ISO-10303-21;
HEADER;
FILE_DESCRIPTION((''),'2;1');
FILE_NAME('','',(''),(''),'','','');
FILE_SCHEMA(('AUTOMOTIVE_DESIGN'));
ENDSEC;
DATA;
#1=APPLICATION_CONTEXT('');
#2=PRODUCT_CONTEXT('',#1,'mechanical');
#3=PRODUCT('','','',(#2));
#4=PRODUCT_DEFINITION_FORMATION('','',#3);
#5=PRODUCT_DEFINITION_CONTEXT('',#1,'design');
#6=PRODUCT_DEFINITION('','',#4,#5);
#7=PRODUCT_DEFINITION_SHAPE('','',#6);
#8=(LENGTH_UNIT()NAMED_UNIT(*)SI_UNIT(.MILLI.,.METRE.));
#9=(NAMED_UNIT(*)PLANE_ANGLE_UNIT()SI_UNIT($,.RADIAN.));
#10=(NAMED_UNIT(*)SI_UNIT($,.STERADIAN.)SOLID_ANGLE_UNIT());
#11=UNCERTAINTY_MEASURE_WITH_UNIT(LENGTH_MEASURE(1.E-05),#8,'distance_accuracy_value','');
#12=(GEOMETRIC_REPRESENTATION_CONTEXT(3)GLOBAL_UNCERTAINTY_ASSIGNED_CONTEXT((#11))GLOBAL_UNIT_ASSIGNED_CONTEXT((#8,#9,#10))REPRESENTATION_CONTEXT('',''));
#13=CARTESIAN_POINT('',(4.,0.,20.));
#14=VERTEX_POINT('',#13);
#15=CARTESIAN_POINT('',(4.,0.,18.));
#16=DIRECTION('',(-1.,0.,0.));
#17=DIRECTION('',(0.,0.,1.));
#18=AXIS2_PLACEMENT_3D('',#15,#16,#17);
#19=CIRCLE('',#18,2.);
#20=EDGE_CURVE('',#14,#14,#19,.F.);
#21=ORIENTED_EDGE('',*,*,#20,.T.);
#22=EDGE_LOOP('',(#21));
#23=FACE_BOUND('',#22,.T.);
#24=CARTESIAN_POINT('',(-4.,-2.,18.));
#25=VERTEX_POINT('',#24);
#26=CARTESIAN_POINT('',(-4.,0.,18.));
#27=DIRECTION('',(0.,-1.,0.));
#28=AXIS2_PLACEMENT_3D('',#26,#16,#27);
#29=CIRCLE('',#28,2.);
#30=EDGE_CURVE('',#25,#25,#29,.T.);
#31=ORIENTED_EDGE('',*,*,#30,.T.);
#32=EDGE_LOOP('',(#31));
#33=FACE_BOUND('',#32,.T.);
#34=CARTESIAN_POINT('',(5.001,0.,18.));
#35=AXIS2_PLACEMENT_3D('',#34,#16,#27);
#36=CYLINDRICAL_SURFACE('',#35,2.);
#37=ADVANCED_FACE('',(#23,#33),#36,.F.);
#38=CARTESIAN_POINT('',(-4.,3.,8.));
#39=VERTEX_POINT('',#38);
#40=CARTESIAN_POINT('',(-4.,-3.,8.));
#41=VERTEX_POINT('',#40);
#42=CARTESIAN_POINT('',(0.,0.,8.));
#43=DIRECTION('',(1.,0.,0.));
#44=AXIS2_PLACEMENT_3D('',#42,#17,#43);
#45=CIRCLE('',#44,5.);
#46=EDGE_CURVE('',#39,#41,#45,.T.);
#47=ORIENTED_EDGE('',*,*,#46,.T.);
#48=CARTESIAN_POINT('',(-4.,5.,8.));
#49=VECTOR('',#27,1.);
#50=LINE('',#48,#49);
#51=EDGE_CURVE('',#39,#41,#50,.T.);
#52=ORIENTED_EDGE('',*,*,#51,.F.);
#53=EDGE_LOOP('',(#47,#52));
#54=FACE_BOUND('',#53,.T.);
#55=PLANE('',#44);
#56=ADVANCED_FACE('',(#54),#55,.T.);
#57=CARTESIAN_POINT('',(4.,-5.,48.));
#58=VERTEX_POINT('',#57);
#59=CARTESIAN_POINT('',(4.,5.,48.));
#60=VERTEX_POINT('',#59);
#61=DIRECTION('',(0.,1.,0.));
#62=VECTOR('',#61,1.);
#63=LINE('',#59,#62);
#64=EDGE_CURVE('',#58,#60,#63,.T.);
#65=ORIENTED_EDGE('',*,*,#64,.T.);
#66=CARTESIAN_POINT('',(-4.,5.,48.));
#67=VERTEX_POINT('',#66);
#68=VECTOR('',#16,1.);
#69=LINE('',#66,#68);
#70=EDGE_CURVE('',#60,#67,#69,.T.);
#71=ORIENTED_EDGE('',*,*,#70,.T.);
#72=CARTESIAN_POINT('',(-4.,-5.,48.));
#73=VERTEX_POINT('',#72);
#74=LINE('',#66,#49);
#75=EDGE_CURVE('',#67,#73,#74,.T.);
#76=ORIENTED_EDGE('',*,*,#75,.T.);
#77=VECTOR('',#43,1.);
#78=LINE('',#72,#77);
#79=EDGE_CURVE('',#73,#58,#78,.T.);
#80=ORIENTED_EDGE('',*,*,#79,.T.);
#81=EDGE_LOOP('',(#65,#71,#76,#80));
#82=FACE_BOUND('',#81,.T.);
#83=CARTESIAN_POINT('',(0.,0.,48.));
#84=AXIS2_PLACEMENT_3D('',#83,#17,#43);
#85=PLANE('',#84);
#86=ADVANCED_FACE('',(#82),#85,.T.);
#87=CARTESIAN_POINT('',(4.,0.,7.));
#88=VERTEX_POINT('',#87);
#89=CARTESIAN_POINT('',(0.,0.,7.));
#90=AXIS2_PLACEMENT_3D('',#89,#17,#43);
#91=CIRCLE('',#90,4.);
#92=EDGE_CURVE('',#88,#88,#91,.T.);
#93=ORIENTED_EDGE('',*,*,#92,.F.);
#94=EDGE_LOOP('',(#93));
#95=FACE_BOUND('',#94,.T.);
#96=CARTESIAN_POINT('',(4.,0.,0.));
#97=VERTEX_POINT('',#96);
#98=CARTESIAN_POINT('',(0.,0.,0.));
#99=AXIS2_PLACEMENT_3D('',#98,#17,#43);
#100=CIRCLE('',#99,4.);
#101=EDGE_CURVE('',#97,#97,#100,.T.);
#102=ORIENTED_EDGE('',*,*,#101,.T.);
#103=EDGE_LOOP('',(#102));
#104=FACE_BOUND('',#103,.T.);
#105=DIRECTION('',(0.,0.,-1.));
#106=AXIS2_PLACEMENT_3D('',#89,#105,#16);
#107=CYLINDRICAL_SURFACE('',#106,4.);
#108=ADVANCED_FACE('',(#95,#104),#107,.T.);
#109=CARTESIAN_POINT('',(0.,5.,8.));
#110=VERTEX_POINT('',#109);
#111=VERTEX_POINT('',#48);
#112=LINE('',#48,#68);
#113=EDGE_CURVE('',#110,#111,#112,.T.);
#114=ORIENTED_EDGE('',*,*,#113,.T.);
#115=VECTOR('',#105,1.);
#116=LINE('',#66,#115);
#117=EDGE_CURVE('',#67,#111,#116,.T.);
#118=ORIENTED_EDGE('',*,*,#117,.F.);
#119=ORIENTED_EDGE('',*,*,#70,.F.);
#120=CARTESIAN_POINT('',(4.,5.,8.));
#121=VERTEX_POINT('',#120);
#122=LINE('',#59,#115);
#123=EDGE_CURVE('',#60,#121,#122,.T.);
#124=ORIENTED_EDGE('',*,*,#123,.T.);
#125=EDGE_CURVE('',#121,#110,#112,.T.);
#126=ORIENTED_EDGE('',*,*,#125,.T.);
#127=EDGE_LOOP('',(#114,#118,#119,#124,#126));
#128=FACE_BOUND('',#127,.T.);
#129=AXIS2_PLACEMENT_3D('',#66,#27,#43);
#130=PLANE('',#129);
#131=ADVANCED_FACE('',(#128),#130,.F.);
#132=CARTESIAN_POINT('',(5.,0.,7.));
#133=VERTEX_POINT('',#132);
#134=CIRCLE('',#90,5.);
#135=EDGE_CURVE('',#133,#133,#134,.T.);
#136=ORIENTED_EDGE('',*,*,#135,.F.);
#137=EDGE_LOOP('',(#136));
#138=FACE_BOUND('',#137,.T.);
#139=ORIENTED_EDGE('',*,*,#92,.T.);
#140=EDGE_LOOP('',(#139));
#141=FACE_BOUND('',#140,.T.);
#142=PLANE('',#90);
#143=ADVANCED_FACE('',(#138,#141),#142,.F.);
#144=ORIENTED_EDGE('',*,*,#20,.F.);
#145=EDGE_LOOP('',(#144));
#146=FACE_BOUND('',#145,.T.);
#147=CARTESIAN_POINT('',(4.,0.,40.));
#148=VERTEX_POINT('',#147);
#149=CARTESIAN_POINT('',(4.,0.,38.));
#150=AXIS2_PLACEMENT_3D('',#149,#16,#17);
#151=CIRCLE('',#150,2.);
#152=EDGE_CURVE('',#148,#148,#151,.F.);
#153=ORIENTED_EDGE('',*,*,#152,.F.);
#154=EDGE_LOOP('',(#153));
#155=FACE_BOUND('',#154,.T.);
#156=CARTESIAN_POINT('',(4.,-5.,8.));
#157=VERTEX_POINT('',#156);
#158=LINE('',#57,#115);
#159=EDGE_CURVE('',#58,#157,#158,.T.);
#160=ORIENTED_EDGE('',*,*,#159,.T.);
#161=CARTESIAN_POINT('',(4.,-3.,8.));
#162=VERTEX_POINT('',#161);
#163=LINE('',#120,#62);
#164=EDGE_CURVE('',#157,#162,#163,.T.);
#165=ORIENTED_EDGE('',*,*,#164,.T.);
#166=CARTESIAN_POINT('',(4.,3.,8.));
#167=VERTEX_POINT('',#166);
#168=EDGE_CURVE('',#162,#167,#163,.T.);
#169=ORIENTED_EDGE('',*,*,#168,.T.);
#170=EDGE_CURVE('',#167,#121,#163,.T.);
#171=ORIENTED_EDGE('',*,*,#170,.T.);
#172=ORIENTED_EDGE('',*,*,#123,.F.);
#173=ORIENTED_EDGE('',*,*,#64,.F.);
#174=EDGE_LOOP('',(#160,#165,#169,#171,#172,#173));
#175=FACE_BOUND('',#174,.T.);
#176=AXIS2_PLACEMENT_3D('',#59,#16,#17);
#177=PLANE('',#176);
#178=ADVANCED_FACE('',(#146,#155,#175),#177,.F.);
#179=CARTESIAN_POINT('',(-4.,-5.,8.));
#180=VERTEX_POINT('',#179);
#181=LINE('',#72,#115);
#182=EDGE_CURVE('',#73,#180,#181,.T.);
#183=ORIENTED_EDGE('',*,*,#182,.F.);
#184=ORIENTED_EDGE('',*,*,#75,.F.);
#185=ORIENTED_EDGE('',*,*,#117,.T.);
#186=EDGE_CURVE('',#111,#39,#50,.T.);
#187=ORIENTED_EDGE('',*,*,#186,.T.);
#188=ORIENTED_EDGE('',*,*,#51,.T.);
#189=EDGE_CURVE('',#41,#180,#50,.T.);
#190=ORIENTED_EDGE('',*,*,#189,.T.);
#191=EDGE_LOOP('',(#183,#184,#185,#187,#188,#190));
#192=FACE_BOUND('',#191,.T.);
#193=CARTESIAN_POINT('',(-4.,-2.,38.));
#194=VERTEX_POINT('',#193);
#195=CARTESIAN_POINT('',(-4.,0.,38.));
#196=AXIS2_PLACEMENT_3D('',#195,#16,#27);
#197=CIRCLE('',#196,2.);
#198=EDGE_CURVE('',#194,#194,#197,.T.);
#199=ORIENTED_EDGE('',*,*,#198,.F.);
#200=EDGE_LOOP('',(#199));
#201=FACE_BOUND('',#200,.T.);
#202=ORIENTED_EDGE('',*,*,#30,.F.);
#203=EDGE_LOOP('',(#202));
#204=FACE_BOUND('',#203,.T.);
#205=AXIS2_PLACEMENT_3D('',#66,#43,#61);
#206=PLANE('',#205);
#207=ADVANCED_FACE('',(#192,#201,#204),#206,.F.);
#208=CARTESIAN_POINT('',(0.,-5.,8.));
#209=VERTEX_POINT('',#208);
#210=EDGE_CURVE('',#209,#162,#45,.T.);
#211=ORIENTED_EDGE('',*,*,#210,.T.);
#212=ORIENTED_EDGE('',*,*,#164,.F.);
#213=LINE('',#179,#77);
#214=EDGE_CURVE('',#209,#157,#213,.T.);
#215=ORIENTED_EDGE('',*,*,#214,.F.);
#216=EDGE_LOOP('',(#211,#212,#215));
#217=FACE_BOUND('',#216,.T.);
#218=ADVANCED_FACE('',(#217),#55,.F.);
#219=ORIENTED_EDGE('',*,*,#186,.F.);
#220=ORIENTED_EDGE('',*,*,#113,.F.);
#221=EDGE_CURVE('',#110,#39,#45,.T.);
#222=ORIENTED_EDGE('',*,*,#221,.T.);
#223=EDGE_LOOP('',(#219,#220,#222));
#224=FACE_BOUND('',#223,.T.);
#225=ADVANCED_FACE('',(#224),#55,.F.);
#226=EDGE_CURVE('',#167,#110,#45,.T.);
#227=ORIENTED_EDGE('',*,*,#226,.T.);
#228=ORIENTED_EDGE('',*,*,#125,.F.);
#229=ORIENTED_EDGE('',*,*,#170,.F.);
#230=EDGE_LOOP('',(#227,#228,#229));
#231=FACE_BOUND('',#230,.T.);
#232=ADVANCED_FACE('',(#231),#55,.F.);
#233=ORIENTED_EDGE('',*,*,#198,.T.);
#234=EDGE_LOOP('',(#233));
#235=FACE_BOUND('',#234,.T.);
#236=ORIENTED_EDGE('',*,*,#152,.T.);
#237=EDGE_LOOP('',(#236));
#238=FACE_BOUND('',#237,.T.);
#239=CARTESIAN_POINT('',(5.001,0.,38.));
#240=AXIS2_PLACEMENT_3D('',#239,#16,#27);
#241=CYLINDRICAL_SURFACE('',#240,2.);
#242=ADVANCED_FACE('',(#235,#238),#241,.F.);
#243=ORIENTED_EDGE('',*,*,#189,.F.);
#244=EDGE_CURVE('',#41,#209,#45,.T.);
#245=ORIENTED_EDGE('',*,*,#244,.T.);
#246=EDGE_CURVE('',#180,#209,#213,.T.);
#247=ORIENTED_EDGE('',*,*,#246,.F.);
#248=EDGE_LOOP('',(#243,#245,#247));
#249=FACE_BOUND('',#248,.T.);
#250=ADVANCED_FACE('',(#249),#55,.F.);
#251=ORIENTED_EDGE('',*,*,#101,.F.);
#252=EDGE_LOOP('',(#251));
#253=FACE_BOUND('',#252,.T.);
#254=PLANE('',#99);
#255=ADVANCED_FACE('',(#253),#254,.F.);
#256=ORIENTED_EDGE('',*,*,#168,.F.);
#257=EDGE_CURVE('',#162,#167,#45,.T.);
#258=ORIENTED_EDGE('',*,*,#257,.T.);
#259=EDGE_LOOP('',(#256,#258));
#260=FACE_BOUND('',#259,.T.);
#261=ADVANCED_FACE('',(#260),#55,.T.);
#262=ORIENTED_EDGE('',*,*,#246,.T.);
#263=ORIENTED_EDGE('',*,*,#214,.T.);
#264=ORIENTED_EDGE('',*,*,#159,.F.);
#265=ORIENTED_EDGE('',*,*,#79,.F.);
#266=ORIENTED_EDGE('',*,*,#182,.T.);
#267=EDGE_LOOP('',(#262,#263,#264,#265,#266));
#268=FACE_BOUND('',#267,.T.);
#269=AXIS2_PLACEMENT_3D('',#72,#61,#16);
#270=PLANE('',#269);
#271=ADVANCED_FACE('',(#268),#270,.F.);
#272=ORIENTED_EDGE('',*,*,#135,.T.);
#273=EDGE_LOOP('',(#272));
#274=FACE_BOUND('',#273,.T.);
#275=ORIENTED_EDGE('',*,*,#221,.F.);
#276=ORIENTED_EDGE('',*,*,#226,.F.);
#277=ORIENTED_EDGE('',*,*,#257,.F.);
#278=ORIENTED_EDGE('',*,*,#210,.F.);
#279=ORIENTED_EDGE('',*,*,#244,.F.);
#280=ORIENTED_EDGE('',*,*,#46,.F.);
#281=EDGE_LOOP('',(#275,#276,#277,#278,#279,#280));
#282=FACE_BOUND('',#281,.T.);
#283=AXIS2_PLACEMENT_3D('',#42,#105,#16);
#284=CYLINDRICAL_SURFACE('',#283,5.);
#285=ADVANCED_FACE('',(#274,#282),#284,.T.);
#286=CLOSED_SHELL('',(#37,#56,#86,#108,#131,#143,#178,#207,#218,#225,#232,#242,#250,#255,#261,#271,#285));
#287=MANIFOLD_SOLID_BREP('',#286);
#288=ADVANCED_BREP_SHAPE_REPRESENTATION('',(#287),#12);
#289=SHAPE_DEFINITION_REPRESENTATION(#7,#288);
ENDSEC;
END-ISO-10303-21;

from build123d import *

# Parameters (mm, degrees)
SKETCH_1_R          = 4
EXTRUDE_1_DEPTH     = 7
SKETCH_2_R          = 5
EXTRUDE_2_DEPTH     = 1
SKETCH_3_W          = 8
SKETCH_3_H          = 10
EXTRUDE_3_DEPTH     = 40
CUT_EXTRUDE_1_REACH = 11
SKETCH_4_R          = 2


with BuildPart() as part:
    # Эскиз1 → Бобышка-Вытянуть1 (new body)
    with BuildSketch(Plane.XY):
        Circle(SKETCH_1_R)
    extrude(amount=EXTRUDE_1_DEPTH)

    # Эскиз2 → Бобышка-Вытянуть2 (add)
    with BuildSketch(Plane.XY.offset(7)):
        Circle(SKETCH_2_R)
    extrude(amount=EXTRUDE_2_DEPTH)

    # Эскиз3 → Бобышка-Вытянуть3 (add)
    with BuildSketch(Plane.XY.offset(8)):
        Rectangle(SKETCH_3_W, SKETCH_3_H)
    extrude(amount=EXTRUDE_3_DEPTH)

    # Эскиз4 → Вырез-Вытянуть1 (cut, up to next)
    with BuildSketch(Plane.ZY.offset(4), mode=Mode.PRIVATE) as cut_extrude_1_sk1:
        with Locations((18, 0)):
            Circle(SKETCH_4_R)
    cut_extrude_1_tool1 = extrude(cut_extrude_1_sk1.sketch, amount=-CUT_EXTRUDE_1_REACH, mode=Mode.PRIVATE) & part.part
    add(cut_extrude_1_tool1.solids().sort_by_distance((-4, 0, 18))[0], mode=Mode.SUBTRACT)
    # Эскиз4 → Вырез-Вытянуть1 (cut, up to next)
    with BuildSketch(Plane.ZY.offset(4), mode=Mode.PRIVATE) as cut_extrude_1_sk2:
        with Locations((38, 0)):
            Circle(SKETCH_4_R)
    cut_extrude_1_tool2 = extrude(cut_extrude_1_sk2.sketch, amount=-CUT_EXTRUDE_1_REACH, mode=Mode.PRIVATE) & part.part
    add(cut_extrude_1_tool2.solids().sort_by_distance((-4, 0, 38))[0], mode=Mode.SUBTRACT)


solid = part.part
